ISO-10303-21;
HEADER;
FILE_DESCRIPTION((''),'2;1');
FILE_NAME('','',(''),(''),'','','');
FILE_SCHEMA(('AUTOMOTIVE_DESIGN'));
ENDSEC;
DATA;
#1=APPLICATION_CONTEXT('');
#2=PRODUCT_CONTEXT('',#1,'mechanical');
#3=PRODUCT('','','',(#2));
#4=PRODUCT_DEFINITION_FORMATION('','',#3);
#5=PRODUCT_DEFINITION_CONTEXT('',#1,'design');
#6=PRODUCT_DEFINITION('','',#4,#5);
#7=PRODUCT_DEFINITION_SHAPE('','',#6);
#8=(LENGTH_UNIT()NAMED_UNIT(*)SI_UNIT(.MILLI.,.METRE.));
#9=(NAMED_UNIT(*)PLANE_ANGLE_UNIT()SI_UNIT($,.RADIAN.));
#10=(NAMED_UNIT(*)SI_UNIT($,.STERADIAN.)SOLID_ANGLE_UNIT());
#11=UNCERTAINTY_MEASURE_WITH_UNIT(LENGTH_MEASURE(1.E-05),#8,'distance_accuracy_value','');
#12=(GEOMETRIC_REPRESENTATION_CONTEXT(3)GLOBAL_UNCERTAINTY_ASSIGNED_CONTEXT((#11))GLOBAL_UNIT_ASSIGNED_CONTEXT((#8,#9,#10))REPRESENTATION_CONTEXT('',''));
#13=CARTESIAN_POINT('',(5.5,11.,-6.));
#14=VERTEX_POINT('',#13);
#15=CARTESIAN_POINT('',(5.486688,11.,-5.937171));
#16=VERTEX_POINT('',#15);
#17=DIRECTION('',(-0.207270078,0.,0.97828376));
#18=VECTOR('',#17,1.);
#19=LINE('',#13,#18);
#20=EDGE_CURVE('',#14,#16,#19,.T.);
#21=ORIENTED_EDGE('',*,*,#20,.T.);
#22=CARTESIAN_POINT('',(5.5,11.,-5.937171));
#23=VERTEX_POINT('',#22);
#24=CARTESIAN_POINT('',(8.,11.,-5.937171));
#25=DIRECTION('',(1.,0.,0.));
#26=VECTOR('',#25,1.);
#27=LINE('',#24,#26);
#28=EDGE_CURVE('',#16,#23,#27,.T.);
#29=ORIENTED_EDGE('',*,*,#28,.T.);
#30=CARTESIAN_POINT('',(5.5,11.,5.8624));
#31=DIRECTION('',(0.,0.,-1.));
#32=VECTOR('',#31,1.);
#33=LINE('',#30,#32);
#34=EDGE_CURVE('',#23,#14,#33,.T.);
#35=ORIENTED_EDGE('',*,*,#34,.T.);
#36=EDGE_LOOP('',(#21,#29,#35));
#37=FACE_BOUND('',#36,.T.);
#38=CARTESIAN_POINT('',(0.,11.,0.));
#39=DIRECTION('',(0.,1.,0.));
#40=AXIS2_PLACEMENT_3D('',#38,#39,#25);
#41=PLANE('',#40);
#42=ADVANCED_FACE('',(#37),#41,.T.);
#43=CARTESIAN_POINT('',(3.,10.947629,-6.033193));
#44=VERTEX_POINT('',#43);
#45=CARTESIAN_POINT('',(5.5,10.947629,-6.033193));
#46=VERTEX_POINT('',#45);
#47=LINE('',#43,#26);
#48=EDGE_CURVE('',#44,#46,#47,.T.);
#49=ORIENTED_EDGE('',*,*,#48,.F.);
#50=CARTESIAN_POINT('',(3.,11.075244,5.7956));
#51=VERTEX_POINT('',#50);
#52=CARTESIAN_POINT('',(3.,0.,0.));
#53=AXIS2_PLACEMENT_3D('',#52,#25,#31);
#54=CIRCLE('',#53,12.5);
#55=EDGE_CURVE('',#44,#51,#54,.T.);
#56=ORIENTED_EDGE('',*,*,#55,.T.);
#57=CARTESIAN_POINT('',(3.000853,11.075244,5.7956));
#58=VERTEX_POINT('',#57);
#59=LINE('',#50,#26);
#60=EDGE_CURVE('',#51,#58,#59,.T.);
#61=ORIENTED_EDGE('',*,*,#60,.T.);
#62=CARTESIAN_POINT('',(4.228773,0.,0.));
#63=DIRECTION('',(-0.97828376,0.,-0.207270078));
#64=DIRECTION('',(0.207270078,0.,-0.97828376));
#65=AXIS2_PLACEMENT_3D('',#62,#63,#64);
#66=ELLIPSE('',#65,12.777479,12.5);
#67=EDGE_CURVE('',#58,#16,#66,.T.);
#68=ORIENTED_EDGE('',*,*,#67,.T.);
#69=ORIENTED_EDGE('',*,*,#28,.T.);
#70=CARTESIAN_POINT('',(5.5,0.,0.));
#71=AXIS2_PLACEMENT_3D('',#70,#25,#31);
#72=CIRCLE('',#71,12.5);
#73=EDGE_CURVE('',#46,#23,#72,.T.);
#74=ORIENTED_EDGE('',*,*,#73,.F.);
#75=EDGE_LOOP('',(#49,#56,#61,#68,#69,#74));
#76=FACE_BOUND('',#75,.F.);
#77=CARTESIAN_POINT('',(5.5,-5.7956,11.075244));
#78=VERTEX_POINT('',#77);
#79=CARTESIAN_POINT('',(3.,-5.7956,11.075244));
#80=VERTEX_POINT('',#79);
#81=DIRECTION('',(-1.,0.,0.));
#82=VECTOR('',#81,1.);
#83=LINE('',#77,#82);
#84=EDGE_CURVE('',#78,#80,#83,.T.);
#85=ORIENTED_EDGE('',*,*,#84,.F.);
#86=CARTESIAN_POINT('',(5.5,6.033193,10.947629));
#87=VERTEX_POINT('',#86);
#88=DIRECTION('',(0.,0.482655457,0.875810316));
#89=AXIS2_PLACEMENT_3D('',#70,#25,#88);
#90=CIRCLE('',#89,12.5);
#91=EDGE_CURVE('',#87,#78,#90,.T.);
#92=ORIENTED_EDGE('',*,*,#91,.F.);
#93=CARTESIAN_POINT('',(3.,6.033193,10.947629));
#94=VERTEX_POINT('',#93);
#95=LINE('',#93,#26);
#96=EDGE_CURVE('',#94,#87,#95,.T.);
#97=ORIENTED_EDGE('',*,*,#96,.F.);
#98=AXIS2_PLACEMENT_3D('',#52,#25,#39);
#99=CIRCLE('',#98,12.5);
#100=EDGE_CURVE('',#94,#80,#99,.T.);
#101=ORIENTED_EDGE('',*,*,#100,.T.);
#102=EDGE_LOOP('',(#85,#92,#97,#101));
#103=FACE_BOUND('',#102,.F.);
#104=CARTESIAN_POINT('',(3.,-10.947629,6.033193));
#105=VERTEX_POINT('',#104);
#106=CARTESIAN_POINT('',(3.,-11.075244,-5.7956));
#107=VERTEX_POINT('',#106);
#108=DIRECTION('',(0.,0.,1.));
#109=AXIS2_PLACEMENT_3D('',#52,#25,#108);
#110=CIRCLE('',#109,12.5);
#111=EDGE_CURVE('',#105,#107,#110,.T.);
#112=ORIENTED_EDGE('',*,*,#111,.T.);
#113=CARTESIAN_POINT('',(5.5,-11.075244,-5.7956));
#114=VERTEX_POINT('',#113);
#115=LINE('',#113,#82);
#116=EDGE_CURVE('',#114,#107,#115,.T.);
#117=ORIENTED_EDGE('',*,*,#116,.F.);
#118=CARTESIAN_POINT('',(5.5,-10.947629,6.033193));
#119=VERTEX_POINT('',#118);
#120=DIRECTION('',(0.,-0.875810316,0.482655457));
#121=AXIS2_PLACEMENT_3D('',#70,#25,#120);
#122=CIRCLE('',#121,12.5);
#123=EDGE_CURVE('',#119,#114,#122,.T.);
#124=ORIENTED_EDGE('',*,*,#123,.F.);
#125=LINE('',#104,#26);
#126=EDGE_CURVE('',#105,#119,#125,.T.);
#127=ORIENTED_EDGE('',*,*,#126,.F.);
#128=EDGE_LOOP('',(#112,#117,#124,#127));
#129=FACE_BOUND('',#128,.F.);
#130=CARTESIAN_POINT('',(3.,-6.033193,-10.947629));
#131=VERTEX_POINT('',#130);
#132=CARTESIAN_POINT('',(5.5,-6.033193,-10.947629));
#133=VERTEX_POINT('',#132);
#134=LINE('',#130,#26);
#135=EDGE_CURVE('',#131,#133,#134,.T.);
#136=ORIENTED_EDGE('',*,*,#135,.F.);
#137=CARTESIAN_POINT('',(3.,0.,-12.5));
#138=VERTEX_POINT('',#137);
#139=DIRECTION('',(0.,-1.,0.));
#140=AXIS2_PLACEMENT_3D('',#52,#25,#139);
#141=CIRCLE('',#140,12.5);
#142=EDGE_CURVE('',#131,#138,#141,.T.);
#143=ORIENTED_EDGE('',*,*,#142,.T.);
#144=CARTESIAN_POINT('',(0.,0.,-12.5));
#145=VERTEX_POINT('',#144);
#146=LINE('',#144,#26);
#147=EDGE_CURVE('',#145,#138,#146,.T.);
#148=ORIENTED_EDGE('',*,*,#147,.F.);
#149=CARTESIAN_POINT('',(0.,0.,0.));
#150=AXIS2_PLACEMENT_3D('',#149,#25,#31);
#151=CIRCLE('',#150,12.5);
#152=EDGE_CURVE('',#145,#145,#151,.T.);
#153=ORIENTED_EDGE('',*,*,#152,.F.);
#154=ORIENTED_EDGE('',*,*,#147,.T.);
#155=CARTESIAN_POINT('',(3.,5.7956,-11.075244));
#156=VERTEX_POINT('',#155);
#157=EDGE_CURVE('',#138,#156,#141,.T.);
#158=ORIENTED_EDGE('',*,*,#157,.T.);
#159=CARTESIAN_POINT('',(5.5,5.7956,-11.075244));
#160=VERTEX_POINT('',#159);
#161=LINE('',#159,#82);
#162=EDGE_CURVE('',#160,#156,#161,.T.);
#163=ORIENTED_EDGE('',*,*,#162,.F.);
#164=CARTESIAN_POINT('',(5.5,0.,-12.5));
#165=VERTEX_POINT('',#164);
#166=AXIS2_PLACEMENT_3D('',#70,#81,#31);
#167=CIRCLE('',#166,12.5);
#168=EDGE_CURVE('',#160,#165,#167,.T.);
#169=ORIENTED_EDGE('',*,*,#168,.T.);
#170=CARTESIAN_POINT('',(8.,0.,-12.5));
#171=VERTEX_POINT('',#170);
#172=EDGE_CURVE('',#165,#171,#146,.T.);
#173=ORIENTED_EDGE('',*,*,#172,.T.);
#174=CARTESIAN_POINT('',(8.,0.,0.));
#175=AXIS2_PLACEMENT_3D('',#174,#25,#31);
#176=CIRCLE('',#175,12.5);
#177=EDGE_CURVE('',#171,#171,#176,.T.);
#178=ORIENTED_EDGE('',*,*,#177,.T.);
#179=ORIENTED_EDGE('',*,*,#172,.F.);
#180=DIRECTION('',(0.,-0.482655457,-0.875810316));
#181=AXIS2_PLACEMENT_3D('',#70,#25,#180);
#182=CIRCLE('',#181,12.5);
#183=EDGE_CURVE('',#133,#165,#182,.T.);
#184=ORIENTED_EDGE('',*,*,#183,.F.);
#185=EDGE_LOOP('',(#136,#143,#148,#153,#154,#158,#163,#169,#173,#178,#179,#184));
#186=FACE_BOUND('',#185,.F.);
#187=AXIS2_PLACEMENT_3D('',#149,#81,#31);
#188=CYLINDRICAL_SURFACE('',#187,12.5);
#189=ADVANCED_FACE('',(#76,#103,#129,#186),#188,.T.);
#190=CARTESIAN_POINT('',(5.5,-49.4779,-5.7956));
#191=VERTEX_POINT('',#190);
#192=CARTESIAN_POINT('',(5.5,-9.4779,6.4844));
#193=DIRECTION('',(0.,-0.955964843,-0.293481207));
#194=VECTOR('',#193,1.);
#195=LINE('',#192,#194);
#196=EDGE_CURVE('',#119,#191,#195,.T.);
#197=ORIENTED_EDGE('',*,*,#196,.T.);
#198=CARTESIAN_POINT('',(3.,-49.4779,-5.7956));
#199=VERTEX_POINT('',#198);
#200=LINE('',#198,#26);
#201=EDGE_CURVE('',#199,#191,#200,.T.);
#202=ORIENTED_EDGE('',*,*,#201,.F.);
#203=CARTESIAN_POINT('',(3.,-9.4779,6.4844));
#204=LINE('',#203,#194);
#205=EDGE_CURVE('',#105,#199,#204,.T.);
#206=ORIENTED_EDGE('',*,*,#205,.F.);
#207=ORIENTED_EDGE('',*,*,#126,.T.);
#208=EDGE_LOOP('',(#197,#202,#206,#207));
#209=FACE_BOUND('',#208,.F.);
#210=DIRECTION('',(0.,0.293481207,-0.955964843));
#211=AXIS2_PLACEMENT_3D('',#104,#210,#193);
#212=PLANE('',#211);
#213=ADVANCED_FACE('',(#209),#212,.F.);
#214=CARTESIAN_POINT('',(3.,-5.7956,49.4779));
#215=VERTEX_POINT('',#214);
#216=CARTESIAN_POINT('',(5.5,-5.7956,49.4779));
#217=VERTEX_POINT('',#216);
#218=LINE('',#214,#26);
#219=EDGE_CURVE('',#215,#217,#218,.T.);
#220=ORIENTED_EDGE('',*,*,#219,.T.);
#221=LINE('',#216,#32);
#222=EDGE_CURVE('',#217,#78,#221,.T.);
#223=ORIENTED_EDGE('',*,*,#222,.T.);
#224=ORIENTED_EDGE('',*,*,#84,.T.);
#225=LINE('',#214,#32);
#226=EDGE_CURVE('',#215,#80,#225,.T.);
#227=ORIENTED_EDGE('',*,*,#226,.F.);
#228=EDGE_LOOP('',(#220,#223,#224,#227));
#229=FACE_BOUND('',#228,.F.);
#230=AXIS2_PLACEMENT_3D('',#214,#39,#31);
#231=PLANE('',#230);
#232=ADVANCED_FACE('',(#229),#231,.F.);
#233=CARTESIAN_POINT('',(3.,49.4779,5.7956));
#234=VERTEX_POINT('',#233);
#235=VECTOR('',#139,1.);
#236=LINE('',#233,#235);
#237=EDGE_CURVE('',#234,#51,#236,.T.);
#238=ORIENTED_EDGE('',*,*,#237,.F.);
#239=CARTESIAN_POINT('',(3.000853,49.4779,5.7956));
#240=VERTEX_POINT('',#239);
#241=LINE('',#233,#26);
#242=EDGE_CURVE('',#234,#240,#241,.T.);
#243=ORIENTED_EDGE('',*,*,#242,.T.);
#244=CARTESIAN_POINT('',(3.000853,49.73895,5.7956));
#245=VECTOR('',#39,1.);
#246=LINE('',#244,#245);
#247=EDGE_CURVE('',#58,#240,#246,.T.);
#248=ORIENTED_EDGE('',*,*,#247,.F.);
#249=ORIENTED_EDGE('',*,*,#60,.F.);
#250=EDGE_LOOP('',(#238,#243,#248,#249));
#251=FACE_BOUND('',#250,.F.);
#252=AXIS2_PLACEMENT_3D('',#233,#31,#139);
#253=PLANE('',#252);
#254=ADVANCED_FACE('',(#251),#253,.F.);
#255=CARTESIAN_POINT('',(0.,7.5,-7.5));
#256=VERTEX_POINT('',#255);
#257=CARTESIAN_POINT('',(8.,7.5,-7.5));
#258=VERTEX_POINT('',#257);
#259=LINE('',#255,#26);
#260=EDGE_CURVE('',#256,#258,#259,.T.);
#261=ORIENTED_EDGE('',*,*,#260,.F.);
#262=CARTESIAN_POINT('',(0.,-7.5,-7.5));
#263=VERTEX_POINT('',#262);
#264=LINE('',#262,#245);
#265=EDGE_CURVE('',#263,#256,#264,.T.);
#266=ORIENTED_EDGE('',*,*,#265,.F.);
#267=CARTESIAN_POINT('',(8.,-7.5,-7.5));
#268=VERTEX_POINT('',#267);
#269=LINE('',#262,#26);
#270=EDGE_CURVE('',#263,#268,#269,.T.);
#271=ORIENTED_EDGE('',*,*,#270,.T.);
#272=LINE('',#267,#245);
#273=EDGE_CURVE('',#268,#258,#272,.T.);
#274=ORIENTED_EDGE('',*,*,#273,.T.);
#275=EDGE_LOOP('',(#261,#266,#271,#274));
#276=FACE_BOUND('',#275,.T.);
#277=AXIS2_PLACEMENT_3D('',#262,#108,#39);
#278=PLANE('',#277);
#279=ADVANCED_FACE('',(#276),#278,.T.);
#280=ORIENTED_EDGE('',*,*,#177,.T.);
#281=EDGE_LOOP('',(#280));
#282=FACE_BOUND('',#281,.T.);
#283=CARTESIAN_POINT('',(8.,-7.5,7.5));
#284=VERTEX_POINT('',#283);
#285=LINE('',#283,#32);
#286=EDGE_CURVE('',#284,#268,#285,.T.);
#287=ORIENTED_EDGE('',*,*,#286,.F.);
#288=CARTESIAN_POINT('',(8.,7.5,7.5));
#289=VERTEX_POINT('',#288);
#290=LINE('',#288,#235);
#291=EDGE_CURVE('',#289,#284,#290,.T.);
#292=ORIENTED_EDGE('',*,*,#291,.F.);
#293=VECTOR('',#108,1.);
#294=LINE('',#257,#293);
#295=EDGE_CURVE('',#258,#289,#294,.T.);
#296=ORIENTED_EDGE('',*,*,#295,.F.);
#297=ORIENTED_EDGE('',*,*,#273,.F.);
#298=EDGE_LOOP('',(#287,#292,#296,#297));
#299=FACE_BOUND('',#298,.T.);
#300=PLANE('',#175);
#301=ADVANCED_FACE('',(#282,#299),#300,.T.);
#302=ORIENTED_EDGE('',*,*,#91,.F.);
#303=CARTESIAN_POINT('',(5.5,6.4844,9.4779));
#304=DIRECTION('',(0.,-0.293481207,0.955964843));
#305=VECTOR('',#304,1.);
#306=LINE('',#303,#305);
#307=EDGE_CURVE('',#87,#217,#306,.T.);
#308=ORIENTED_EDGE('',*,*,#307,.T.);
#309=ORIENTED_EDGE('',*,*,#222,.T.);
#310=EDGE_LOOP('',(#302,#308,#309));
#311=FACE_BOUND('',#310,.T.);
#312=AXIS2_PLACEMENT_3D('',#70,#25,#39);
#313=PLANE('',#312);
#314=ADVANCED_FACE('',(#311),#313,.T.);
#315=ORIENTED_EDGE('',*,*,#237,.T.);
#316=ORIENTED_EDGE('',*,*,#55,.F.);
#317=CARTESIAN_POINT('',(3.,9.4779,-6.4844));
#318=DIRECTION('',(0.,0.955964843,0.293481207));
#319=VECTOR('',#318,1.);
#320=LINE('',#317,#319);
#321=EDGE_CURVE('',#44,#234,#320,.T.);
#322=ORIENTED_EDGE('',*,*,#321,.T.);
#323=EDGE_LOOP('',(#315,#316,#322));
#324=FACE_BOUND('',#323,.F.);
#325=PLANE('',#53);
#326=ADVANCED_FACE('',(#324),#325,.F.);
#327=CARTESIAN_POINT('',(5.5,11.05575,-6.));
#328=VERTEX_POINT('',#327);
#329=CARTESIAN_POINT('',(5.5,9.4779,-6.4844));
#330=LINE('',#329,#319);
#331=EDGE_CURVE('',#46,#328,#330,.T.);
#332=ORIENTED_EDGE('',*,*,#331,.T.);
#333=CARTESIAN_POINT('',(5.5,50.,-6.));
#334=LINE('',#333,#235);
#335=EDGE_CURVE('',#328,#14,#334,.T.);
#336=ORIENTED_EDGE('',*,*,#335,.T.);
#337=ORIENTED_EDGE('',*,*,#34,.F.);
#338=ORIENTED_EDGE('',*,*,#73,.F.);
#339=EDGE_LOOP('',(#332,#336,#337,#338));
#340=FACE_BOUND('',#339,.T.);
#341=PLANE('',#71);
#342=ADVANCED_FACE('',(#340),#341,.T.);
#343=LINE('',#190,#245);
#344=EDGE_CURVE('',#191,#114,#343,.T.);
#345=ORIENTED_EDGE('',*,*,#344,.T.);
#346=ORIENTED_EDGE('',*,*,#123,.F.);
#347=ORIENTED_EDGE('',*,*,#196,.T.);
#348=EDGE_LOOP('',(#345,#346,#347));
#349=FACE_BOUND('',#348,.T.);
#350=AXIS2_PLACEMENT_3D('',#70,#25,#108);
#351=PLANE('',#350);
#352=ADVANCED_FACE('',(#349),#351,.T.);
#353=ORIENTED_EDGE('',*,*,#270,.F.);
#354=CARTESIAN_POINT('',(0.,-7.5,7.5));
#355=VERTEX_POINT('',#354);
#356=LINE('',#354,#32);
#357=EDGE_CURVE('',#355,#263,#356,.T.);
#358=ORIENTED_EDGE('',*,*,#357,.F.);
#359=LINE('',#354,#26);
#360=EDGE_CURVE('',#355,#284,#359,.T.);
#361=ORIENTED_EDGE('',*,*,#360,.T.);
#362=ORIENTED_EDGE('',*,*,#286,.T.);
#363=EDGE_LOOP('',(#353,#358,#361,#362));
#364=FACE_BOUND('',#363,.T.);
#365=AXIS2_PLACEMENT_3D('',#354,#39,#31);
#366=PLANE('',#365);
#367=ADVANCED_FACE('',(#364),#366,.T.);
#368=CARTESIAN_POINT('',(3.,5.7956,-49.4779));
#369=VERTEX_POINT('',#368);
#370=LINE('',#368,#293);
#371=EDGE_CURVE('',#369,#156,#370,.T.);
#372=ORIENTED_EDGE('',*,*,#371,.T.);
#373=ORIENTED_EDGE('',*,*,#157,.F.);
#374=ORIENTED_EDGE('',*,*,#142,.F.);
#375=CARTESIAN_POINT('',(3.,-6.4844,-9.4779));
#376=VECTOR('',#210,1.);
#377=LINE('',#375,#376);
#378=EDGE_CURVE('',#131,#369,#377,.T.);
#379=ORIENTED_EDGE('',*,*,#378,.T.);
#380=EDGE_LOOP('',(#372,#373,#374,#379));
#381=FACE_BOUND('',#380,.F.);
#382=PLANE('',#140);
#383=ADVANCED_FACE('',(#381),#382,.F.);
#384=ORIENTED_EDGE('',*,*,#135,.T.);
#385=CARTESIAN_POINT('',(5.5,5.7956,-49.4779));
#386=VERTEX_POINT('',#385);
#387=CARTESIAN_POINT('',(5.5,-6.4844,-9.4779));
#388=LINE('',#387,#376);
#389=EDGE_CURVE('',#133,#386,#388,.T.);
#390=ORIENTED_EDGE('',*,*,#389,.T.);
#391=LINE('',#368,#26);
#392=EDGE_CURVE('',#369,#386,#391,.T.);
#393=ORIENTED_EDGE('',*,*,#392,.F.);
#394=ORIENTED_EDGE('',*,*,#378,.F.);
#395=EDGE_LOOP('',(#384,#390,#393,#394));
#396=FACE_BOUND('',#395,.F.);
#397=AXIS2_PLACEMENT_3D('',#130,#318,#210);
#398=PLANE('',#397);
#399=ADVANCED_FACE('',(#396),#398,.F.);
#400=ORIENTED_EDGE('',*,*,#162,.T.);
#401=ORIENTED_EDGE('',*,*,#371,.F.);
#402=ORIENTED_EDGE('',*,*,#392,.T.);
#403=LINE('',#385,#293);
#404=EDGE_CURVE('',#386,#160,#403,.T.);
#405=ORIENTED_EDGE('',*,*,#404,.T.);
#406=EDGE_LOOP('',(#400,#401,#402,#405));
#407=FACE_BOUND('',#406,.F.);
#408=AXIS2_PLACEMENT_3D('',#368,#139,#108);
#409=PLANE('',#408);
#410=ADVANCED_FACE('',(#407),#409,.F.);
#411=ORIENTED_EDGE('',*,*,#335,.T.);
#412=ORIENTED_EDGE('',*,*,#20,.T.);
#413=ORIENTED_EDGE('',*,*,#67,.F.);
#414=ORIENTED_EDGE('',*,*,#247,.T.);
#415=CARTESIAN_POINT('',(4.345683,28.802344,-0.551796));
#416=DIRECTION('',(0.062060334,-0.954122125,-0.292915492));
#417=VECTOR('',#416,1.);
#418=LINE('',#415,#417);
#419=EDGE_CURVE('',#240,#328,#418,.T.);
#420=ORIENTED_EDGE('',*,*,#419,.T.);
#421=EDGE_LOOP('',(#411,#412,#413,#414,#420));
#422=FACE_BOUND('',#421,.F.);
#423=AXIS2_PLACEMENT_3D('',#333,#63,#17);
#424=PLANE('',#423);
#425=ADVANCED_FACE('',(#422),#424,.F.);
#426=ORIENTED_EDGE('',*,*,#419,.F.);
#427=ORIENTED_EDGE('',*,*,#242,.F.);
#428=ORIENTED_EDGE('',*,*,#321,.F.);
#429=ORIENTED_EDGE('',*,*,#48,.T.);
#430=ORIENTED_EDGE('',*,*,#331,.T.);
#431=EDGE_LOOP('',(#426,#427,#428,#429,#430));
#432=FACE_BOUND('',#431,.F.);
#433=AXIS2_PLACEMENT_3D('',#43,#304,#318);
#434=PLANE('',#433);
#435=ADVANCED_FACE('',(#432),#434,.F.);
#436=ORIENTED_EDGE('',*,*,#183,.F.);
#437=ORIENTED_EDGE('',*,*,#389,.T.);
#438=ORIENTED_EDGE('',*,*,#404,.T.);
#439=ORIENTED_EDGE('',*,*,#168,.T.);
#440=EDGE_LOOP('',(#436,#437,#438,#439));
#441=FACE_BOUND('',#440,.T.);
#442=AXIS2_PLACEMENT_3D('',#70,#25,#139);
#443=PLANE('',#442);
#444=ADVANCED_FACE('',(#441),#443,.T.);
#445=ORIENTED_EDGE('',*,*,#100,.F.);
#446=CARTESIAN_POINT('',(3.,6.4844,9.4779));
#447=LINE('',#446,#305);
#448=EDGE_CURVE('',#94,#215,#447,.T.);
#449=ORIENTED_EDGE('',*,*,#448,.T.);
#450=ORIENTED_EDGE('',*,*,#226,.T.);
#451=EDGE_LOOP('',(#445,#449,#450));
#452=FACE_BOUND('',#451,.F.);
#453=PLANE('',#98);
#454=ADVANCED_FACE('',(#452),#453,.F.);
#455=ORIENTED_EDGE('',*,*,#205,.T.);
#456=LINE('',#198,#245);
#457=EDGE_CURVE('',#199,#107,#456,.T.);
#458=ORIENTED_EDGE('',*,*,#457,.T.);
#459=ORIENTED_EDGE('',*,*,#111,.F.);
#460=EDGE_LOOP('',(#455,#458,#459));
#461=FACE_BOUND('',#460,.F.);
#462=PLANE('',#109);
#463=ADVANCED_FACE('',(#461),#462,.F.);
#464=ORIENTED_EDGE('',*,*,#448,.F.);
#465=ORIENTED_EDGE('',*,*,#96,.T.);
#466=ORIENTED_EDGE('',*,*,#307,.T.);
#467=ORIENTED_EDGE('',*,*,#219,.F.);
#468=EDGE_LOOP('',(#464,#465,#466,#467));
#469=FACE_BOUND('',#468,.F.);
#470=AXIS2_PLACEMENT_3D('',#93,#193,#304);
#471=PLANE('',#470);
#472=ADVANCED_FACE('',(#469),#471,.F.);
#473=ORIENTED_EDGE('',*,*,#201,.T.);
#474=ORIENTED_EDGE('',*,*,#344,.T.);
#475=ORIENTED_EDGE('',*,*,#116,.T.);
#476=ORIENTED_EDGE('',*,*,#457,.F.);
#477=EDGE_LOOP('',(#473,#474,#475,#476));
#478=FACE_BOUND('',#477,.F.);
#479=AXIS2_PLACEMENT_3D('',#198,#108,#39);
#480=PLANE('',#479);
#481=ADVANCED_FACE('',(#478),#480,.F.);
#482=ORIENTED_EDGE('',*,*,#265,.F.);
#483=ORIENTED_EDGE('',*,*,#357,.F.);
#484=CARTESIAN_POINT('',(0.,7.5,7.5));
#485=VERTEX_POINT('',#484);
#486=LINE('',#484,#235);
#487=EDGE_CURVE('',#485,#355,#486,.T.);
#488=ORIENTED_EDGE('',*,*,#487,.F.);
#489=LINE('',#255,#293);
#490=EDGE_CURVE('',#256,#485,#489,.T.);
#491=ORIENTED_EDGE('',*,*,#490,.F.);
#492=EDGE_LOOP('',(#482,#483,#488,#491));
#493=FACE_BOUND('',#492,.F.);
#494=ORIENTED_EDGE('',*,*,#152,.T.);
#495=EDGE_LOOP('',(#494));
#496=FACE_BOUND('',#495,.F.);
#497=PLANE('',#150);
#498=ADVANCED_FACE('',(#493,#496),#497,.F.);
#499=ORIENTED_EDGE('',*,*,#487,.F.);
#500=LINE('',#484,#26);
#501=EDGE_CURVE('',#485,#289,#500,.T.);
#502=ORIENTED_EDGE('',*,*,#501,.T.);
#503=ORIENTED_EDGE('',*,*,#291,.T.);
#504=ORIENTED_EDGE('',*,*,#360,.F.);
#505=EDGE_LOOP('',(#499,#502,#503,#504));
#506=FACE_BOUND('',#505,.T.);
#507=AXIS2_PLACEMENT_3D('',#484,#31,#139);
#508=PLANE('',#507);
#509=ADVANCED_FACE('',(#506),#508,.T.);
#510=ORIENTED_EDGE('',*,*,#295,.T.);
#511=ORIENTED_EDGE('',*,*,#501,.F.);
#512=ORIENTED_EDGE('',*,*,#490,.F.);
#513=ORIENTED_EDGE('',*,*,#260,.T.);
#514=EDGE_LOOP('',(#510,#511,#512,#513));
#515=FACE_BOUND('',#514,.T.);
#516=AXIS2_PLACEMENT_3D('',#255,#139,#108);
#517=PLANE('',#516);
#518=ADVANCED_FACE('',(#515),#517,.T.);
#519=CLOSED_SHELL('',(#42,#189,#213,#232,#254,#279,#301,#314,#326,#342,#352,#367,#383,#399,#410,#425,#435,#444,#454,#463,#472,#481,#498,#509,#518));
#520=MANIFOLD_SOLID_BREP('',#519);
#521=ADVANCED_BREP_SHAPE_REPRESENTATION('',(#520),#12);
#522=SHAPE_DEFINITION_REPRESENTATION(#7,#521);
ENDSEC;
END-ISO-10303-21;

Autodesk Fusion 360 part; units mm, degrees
sketch "Sketch1" plane through (0, 0, 0) normal (1, 0, 0) x (0, 0, -1)
  circle A0 centre (0, 0) radius 12.5
  line L0 (7.5, 7.5) -> (-7.5, 7.5)
  line L1 (-7.5, 7.5) -> (-7.5, -7.5)
  line L2 (-7.5, -7.5) -> (7.5, -7.5)
  line L3 (7.5, -7.5) -> (7.5, 7.5)
  line L4 (7.5, 7.5) -> (-7.5, -7.5) construction
  line L5 (-7.5, 7.5) -> (7.5, -7.5) construction
  dimension "d1" = 25
  dimension "d2" = 15
  dimension "d3" = 15
extrude "Extrude1" add sketch "Sketch1" along normal blind 8
sketch "Sketch2" plane through (0, 0, 0) normal (0, 1, 0) x (1, 0, 0)
sketch "Sketch3" plane through (8, 0, 0) normal (1, 0, 0) x (0, 0, -1)
  line L0 (7.5, 7.5) -> (7.5, -7.5)
  line L1 (7.5, -7.5) -> (-7.5, -7.5)
  line L2 (-7.5, -7.5) -> (-7.5, 7.5)
  line L3 (-7.5, 7.5) -> (7.5, 7.5)
  circle A0 centre (0, 0) radius 12.5
  line L4 (-5.7956, 9.4779) -> (6.4844, 9.4779)
  line L5 (6.4844, 9.4779) -> (-5.7956, 49.4779)
  line L6 (-5.7956, 49.4779) -> (-5.7956, 9.4779)
  dimension "d14" = 40
extrude "Extrude2" add sketch "Sketch3" along normal blind 2.5 from surface at -5 contours A0 L5 L6
sketch "Sketch4" plane through (0, 0, 0) normal (0, 1, 0) x (1, 0, 0)
  line L0 (2.9867, -5.8624) -> (5.5, -5.8624)
  line L1 (5.5, -5.8624) -> (5.5, 6)
  line L2 (5.5, 6) -> (2.9867, -5.8624)
extrude "Extrude3" cut sketch "Sketch4" against normal blind 39 from surface at 50
pattern_circular "C-Pattern1" count 4 over 360 about axis through (1.75, 0, 0) along (1, 0, 0) of "Extrude3", "Extrude2"
sketch "Sketch5" plane through (0, 0, 0) normal (0, 1, 0) x (-1, 0, 0)
sketch "Sketch6" plane through (8, 0, 0) normal (1, 0, 0) x (0, 0, -1)
  line L0 (7.5, 7.5) -> (7.5, -7.5)
  line L1 (7.5, -7.5) -> (-7.5, -7.5)
  line L2 (-7.5, -7.5) -> (-7.5, 7.5)
  line L3 (-7.5, 7.5) -> (7.5, 7.5)
  circle A0 centre (0, 0) radius 12.5
  circle A1 centre (0, 0) radius 12.5
  line L4 (7.5, 7.5) -> (-7.5, 7.5)
  line L5 (-7.5, 7.5) -> (-7.5, -7.5)
  line L6 (-7.5, -7.5) -> (7.5, -7.5)
  line L7 (7.5, -7.5) -> (7.5, 7.5)
  line L8 (7.5, 7.5) -> (-7.5, -7.5) construction
  line L9 (-7.5, 7.5) -> (7.5, -7.5) construction
extrude "Extrude4" add sketch "Sketch6" against normal blind 8
